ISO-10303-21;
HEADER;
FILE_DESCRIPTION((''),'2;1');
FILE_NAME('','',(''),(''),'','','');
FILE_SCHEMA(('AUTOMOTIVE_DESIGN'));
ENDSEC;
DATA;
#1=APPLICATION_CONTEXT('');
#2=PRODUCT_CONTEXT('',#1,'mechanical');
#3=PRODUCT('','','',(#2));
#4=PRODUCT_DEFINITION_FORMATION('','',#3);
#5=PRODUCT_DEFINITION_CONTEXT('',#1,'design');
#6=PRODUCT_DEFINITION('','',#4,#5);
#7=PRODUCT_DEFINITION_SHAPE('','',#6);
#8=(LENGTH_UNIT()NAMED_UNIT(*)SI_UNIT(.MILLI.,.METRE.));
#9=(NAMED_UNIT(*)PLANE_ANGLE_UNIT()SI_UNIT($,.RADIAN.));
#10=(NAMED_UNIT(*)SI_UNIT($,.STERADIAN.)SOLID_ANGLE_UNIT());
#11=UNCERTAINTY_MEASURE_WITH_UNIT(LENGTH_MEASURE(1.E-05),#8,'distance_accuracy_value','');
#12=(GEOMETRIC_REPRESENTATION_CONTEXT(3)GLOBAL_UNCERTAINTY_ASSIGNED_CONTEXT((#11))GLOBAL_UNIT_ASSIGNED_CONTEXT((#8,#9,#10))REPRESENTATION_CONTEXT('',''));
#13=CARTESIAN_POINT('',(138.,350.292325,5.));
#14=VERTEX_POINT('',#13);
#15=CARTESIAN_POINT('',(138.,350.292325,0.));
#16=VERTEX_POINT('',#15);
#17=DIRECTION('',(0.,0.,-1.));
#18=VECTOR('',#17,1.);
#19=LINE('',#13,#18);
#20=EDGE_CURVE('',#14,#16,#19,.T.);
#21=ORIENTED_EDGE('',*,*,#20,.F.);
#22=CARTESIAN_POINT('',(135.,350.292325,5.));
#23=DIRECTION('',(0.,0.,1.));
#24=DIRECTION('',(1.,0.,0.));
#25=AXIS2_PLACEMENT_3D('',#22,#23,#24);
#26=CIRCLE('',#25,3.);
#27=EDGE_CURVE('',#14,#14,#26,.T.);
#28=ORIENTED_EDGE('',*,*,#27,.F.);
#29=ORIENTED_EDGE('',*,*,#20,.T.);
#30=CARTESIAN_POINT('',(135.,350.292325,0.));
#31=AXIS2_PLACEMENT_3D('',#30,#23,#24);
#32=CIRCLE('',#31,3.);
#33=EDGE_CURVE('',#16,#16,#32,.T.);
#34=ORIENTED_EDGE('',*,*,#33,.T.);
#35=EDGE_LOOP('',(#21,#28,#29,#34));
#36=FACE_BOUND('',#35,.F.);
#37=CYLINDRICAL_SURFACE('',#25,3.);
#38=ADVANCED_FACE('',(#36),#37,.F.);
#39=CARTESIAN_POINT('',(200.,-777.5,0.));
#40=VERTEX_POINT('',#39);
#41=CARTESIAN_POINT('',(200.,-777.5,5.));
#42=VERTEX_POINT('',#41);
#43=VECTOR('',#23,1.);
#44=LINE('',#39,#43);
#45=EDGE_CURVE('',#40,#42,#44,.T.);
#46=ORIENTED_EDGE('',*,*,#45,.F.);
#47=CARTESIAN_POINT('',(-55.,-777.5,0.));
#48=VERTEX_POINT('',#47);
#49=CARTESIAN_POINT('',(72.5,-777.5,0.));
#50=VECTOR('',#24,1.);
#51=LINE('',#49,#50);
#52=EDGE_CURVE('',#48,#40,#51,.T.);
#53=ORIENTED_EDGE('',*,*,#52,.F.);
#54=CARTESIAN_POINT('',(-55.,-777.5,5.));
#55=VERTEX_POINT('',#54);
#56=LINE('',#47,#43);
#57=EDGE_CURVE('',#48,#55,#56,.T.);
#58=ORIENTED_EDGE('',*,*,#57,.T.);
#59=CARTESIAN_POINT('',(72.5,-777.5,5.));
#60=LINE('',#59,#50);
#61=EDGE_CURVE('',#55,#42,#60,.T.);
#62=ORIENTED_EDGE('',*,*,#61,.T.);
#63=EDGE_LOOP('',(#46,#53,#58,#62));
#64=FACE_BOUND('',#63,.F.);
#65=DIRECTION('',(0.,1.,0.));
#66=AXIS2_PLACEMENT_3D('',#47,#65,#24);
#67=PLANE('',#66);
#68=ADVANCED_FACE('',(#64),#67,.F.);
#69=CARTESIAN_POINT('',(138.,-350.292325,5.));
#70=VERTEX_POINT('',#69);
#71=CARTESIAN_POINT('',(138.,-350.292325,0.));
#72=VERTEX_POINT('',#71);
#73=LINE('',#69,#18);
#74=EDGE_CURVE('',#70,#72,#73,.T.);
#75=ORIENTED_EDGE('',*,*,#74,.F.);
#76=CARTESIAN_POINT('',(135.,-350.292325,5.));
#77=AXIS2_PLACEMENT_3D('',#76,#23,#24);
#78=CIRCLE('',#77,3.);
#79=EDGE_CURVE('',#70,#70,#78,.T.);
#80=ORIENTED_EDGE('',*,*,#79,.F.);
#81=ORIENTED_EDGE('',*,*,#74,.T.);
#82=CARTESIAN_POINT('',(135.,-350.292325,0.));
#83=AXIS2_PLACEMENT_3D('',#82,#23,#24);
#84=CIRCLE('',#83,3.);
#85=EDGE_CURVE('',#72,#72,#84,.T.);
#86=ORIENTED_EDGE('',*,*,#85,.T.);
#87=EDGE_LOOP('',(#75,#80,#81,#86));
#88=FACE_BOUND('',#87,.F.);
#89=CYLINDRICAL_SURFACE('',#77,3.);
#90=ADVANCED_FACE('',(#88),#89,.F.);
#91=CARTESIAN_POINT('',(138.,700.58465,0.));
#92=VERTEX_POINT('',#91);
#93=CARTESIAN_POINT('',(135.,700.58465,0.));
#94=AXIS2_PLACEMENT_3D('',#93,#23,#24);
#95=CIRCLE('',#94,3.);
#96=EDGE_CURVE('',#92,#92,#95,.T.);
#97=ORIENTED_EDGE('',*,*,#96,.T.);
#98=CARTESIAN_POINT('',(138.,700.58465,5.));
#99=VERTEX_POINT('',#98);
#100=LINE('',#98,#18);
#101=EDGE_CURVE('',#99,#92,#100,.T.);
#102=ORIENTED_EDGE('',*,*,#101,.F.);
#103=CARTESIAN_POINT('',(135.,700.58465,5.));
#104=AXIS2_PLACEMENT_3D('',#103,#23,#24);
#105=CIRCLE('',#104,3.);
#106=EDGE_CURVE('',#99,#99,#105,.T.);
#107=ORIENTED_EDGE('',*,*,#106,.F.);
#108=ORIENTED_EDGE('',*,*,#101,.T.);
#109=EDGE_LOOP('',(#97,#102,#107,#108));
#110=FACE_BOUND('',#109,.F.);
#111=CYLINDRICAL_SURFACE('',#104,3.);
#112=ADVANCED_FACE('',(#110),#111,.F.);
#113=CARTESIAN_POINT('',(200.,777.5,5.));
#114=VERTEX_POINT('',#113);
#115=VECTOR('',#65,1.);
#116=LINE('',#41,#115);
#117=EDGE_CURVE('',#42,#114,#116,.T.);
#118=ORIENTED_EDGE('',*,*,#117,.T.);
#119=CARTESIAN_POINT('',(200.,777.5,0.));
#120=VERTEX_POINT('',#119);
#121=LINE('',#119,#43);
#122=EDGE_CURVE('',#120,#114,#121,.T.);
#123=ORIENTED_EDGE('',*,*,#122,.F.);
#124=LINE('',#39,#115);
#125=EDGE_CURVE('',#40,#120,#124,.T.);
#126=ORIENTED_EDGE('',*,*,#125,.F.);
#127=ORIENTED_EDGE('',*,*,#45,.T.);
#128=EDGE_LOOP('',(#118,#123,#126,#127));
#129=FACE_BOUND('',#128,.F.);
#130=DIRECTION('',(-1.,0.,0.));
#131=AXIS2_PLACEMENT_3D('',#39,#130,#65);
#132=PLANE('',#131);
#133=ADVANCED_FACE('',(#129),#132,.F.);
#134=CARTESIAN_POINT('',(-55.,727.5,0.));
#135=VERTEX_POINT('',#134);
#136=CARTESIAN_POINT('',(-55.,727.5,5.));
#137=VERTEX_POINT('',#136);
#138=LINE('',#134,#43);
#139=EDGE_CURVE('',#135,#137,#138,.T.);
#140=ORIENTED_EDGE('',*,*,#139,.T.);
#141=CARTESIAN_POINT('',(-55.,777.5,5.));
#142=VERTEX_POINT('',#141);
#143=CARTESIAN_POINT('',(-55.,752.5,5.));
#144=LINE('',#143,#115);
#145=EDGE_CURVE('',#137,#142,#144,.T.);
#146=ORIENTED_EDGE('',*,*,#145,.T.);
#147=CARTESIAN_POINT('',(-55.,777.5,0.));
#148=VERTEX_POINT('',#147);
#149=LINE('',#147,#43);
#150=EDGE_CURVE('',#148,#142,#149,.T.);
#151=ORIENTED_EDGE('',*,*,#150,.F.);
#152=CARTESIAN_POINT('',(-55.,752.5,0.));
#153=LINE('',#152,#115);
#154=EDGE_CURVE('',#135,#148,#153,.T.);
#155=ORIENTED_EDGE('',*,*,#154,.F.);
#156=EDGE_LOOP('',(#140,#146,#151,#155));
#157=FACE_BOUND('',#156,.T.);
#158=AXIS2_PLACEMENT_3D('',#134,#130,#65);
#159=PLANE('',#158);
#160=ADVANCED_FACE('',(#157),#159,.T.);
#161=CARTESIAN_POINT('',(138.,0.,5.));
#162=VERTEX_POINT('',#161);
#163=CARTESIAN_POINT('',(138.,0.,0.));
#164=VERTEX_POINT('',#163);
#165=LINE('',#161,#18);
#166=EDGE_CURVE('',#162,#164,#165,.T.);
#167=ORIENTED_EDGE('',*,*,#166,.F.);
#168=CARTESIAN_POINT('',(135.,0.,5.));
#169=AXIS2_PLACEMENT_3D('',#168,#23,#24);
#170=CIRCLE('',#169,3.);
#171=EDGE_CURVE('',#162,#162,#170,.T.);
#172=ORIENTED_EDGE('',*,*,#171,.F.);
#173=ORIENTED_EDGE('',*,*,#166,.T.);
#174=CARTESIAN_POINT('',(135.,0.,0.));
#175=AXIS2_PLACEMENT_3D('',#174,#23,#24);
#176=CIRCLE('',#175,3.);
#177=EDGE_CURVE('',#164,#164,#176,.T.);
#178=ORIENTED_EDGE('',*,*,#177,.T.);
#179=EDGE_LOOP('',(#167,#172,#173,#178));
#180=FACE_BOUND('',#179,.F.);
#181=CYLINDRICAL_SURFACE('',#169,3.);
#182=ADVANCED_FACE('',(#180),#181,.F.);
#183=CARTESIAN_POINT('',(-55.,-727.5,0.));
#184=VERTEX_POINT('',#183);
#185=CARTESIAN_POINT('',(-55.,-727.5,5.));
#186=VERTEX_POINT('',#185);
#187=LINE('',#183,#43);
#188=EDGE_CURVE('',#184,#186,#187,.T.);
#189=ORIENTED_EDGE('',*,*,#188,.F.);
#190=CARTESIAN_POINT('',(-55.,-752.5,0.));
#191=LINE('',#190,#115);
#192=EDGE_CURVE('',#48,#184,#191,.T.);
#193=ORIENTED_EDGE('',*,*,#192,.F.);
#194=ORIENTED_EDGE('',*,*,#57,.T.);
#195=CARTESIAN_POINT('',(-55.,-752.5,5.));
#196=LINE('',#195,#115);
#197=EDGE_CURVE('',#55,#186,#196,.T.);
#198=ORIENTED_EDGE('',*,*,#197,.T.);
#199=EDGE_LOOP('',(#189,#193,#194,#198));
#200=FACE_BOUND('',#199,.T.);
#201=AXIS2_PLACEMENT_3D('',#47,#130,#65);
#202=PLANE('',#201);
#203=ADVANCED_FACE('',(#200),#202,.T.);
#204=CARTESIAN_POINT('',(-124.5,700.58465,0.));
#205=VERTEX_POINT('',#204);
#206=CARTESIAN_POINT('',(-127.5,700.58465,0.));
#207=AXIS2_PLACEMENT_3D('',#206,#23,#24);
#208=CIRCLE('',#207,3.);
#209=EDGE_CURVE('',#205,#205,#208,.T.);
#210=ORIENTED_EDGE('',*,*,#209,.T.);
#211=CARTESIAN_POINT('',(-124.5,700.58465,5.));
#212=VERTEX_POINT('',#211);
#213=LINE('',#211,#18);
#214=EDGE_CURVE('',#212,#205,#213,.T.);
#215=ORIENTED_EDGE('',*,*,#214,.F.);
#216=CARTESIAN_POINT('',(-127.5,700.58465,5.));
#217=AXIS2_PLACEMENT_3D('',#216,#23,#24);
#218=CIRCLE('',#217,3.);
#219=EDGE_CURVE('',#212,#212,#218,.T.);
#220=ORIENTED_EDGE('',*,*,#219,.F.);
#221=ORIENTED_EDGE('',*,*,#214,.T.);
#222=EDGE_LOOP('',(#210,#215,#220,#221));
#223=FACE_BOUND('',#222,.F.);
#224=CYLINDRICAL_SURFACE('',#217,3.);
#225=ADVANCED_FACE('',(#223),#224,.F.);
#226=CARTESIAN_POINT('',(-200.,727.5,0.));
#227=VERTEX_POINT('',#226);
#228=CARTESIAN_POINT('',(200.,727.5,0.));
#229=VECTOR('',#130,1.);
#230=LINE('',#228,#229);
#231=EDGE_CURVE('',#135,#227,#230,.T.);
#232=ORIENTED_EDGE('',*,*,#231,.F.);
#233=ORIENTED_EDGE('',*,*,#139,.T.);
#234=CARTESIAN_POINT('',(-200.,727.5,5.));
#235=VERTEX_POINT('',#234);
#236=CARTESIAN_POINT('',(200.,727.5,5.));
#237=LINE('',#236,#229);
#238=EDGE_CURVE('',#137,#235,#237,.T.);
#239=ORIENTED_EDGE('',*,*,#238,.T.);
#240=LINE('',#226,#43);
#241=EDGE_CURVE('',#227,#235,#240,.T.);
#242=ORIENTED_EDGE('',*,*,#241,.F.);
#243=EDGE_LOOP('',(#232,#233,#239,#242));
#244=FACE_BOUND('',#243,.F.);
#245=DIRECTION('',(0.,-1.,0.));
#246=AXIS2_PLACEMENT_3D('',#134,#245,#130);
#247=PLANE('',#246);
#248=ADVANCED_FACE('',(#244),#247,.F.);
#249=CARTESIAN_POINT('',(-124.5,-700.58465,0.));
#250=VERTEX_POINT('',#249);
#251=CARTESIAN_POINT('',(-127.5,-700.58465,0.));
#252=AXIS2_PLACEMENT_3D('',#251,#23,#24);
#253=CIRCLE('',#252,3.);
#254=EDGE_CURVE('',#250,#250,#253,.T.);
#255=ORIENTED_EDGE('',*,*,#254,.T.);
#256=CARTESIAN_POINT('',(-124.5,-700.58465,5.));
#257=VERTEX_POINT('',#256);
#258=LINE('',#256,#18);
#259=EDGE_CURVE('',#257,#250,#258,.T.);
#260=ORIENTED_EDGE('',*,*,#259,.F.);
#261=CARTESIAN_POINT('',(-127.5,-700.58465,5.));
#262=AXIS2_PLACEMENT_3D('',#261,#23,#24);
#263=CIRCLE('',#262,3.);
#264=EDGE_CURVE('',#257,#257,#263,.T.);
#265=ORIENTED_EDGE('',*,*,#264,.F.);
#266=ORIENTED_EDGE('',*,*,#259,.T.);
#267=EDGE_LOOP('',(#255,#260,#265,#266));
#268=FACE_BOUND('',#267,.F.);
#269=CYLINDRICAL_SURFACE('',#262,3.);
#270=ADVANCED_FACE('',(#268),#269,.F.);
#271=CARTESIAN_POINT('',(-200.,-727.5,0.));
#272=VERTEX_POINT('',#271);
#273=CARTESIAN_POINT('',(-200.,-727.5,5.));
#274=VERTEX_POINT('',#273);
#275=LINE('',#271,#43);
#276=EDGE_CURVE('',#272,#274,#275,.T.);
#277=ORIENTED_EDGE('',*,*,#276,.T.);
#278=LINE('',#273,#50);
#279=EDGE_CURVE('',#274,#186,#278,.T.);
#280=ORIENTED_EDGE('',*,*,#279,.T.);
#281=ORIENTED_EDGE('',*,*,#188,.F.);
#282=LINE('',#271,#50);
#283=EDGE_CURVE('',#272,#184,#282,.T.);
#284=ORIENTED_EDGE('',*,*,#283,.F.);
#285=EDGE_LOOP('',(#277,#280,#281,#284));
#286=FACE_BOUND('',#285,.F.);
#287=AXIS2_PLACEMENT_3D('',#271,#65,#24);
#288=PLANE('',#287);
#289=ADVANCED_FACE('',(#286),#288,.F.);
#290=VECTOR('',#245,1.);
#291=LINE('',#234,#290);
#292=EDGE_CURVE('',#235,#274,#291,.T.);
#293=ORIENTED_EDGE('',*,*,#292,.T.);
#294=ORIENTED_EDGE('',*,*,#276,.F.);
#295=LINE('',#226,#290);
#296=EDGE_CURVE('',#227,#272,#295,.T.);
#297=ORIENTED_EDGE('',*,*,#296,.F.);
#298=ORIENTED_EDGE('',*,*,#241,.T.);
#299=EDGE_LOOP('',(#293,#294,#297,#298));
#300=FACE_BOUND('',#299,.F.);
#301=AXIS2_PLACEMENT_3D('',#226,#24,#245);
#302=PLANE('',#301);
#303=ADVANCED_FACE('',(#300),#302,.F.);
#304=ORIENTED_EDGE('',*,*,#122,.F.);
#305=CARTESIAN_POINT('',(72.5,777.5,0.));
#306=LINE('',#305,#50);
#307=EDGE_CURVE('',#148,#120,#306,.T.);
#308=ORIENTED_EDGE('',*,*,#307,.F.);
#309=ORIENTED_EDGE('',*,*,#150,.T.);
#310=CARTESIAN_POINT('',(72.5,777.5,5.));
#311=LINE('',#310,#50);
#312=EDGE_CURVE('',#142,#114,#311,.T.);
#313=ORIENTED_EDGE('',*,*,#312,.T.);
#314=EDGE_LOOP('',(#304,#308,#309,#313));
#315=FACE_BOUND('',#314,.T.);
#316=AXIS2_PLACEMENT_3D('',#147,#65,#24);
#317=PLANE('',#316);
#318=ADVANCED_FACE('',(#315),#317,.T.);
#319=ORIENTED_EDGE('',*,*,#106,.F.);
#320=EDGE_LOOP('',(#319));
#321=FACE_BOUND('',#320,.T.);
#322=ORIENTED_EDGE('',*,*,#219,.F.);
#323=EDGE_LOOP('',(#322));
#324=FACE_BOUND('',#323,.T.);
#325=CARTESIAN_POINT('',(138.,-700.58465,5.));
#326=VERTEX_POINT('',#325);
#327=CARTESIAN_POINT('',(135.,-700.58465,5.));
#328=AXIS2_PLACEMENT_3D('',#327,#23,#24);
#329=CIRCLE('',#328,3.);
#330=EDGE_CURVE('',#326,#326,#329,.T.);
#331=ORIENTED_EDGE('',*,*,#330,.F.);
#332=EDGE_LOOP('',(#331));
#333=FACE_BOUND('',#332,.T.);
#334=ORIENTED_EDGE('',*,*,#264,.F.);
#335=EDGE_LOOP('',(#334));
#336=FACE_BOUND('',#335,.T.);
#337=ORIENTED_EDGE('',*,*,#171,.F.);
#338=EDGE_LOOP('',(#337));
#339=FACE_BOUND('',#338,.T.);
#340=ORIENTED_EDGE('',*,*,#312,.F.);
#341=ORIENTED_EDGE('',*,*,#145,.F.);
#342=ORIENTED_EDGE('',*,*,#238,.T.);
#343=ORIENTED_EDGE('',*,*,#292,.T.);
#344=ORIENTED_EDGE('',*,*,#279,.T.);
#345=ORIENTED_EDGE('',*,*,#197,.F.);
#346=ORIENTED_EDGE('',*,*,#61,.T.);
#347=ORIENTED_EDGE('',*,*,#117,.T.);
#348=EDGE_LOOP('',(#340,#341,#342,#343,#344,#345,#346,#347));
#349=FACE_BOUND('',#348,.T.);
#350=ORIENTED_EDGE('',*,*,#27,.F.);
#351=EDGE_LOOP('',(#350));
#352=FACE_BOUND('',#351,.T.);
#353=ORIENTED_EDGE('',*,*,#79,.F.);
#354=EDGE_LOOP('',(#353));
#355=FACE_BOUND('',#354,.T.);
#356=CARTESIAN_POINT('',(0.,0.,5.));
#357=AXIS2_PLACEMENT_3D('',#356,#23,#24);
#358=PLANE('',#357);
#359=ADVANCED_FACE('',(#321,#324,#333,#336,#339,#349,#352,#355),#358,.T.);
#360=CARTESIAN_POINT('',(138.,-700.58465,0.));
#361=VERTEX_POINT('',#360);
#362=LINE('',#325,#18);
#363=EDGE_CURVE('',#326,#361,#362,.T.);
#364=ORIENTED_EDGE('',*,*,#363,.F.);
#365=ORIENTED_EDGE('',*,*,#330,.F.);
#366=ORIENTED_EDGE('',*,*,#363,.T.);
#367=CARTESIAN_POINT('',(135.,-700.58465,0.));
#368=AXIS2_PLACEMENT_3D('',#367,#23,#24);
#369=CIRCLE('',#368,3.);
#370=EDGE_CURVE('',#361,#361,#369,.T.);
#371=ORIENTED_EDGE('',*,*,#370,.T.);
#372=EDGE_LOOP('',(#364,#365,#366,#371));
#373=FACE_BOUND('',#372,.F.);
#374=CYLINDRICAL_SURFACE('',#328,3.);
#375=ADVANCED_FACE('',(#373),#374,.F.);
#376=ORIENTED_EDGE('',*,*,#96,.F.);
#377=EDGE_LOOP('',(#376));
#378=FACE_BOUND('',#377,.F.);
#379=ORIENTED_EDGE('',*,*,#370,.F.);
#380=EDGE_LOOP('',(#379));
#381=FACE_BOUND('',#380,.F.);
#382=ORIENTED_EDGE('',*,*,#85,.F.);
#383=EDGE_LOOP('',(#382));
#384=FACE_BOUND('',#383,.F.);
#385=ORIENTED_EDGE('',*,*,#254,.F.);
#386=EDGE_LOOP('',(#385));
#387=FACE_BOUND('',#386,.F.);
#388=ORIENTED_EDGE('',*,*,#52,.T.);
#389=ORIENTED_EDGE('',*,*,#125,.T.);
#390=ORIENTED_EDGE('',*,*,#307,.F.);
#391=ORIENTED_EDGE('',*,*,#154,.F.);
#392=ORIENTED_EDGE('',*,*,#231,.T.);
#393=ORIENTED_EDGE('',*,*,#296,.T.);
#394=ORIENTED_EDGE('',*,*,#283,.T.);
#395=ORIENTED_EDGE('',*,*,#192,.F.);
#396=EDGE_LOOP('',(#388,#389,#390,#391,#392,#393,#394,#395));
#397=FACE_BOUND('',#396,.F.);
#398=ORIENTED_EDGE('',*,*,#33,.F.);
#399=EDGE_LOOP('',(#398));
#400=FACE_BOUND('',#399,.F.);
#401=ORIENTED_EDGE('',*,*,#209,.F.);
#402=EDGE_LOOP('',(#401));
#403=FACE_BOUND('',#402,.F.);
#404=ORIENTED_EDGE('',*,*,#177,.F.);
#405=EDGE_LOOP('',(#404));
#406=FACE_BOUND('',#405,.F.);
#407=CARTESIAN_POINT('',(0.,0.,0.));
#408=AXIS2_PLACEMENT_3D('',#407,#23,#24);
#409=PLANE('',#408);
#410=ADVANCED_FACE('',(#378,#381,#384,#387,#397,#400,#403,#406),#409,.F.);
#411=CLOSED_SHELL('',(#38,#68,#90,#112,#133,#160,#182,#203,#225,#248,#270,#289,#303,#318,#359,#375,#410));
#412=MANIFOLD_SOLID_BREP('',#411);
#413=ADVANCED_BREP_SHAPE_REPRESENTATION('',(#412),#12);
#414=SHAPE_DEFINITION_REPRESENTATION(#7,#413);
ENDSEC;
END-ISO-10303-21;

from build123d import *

# Parameters (mm, degrees)
F0_W     = 255
F0_H     = 50
F1_DEPTH = 5
F2_R     = 3
F3_DEPTH = 5.001


with BuildPart() as f1:
    # F0 (on Top) → F1 (new body)
    with BuildSketch(Plane.XY):
        Polygon((200, -727.5), (200, 727.5), (-55, 727.5), (-200, 727.5), (-200, -727.5), (-55, -727.5), align=None)
        with Locations((72.5, -752.5)):
            Rectangle(F0_W, F0_H)
        with Locations((72.5, 752.5)):
            Rectangle(F0_W, F0_H)
    extrude(amount=F1_DEPTH)

    # F2 (on face) → F3 (cut, through all)
    with BuildSketch(Plane.XY.offset(5)):
        with Locations((135, 0)):
            Circle(F2_R)
        with Locations((-127.5, -700.58465)):
            Circle(F2_R)
        with Locations((135, -700.58465)):
            Circle(F2_R)
        with Locations((135, -350.292325)):
            Circle(F2_R)
        with Locations((-127.5, 700.58465)):
            Circle(F2_R)
        with Locations((135, 700.58465)):
            Circle(F2_R)
        with Locations((135, 350.292325)):
            Circle(F2_R)
    extrude(amount=-F3_DEPTH, mode=Mode.SUBTRACT)


solid = f1.part
